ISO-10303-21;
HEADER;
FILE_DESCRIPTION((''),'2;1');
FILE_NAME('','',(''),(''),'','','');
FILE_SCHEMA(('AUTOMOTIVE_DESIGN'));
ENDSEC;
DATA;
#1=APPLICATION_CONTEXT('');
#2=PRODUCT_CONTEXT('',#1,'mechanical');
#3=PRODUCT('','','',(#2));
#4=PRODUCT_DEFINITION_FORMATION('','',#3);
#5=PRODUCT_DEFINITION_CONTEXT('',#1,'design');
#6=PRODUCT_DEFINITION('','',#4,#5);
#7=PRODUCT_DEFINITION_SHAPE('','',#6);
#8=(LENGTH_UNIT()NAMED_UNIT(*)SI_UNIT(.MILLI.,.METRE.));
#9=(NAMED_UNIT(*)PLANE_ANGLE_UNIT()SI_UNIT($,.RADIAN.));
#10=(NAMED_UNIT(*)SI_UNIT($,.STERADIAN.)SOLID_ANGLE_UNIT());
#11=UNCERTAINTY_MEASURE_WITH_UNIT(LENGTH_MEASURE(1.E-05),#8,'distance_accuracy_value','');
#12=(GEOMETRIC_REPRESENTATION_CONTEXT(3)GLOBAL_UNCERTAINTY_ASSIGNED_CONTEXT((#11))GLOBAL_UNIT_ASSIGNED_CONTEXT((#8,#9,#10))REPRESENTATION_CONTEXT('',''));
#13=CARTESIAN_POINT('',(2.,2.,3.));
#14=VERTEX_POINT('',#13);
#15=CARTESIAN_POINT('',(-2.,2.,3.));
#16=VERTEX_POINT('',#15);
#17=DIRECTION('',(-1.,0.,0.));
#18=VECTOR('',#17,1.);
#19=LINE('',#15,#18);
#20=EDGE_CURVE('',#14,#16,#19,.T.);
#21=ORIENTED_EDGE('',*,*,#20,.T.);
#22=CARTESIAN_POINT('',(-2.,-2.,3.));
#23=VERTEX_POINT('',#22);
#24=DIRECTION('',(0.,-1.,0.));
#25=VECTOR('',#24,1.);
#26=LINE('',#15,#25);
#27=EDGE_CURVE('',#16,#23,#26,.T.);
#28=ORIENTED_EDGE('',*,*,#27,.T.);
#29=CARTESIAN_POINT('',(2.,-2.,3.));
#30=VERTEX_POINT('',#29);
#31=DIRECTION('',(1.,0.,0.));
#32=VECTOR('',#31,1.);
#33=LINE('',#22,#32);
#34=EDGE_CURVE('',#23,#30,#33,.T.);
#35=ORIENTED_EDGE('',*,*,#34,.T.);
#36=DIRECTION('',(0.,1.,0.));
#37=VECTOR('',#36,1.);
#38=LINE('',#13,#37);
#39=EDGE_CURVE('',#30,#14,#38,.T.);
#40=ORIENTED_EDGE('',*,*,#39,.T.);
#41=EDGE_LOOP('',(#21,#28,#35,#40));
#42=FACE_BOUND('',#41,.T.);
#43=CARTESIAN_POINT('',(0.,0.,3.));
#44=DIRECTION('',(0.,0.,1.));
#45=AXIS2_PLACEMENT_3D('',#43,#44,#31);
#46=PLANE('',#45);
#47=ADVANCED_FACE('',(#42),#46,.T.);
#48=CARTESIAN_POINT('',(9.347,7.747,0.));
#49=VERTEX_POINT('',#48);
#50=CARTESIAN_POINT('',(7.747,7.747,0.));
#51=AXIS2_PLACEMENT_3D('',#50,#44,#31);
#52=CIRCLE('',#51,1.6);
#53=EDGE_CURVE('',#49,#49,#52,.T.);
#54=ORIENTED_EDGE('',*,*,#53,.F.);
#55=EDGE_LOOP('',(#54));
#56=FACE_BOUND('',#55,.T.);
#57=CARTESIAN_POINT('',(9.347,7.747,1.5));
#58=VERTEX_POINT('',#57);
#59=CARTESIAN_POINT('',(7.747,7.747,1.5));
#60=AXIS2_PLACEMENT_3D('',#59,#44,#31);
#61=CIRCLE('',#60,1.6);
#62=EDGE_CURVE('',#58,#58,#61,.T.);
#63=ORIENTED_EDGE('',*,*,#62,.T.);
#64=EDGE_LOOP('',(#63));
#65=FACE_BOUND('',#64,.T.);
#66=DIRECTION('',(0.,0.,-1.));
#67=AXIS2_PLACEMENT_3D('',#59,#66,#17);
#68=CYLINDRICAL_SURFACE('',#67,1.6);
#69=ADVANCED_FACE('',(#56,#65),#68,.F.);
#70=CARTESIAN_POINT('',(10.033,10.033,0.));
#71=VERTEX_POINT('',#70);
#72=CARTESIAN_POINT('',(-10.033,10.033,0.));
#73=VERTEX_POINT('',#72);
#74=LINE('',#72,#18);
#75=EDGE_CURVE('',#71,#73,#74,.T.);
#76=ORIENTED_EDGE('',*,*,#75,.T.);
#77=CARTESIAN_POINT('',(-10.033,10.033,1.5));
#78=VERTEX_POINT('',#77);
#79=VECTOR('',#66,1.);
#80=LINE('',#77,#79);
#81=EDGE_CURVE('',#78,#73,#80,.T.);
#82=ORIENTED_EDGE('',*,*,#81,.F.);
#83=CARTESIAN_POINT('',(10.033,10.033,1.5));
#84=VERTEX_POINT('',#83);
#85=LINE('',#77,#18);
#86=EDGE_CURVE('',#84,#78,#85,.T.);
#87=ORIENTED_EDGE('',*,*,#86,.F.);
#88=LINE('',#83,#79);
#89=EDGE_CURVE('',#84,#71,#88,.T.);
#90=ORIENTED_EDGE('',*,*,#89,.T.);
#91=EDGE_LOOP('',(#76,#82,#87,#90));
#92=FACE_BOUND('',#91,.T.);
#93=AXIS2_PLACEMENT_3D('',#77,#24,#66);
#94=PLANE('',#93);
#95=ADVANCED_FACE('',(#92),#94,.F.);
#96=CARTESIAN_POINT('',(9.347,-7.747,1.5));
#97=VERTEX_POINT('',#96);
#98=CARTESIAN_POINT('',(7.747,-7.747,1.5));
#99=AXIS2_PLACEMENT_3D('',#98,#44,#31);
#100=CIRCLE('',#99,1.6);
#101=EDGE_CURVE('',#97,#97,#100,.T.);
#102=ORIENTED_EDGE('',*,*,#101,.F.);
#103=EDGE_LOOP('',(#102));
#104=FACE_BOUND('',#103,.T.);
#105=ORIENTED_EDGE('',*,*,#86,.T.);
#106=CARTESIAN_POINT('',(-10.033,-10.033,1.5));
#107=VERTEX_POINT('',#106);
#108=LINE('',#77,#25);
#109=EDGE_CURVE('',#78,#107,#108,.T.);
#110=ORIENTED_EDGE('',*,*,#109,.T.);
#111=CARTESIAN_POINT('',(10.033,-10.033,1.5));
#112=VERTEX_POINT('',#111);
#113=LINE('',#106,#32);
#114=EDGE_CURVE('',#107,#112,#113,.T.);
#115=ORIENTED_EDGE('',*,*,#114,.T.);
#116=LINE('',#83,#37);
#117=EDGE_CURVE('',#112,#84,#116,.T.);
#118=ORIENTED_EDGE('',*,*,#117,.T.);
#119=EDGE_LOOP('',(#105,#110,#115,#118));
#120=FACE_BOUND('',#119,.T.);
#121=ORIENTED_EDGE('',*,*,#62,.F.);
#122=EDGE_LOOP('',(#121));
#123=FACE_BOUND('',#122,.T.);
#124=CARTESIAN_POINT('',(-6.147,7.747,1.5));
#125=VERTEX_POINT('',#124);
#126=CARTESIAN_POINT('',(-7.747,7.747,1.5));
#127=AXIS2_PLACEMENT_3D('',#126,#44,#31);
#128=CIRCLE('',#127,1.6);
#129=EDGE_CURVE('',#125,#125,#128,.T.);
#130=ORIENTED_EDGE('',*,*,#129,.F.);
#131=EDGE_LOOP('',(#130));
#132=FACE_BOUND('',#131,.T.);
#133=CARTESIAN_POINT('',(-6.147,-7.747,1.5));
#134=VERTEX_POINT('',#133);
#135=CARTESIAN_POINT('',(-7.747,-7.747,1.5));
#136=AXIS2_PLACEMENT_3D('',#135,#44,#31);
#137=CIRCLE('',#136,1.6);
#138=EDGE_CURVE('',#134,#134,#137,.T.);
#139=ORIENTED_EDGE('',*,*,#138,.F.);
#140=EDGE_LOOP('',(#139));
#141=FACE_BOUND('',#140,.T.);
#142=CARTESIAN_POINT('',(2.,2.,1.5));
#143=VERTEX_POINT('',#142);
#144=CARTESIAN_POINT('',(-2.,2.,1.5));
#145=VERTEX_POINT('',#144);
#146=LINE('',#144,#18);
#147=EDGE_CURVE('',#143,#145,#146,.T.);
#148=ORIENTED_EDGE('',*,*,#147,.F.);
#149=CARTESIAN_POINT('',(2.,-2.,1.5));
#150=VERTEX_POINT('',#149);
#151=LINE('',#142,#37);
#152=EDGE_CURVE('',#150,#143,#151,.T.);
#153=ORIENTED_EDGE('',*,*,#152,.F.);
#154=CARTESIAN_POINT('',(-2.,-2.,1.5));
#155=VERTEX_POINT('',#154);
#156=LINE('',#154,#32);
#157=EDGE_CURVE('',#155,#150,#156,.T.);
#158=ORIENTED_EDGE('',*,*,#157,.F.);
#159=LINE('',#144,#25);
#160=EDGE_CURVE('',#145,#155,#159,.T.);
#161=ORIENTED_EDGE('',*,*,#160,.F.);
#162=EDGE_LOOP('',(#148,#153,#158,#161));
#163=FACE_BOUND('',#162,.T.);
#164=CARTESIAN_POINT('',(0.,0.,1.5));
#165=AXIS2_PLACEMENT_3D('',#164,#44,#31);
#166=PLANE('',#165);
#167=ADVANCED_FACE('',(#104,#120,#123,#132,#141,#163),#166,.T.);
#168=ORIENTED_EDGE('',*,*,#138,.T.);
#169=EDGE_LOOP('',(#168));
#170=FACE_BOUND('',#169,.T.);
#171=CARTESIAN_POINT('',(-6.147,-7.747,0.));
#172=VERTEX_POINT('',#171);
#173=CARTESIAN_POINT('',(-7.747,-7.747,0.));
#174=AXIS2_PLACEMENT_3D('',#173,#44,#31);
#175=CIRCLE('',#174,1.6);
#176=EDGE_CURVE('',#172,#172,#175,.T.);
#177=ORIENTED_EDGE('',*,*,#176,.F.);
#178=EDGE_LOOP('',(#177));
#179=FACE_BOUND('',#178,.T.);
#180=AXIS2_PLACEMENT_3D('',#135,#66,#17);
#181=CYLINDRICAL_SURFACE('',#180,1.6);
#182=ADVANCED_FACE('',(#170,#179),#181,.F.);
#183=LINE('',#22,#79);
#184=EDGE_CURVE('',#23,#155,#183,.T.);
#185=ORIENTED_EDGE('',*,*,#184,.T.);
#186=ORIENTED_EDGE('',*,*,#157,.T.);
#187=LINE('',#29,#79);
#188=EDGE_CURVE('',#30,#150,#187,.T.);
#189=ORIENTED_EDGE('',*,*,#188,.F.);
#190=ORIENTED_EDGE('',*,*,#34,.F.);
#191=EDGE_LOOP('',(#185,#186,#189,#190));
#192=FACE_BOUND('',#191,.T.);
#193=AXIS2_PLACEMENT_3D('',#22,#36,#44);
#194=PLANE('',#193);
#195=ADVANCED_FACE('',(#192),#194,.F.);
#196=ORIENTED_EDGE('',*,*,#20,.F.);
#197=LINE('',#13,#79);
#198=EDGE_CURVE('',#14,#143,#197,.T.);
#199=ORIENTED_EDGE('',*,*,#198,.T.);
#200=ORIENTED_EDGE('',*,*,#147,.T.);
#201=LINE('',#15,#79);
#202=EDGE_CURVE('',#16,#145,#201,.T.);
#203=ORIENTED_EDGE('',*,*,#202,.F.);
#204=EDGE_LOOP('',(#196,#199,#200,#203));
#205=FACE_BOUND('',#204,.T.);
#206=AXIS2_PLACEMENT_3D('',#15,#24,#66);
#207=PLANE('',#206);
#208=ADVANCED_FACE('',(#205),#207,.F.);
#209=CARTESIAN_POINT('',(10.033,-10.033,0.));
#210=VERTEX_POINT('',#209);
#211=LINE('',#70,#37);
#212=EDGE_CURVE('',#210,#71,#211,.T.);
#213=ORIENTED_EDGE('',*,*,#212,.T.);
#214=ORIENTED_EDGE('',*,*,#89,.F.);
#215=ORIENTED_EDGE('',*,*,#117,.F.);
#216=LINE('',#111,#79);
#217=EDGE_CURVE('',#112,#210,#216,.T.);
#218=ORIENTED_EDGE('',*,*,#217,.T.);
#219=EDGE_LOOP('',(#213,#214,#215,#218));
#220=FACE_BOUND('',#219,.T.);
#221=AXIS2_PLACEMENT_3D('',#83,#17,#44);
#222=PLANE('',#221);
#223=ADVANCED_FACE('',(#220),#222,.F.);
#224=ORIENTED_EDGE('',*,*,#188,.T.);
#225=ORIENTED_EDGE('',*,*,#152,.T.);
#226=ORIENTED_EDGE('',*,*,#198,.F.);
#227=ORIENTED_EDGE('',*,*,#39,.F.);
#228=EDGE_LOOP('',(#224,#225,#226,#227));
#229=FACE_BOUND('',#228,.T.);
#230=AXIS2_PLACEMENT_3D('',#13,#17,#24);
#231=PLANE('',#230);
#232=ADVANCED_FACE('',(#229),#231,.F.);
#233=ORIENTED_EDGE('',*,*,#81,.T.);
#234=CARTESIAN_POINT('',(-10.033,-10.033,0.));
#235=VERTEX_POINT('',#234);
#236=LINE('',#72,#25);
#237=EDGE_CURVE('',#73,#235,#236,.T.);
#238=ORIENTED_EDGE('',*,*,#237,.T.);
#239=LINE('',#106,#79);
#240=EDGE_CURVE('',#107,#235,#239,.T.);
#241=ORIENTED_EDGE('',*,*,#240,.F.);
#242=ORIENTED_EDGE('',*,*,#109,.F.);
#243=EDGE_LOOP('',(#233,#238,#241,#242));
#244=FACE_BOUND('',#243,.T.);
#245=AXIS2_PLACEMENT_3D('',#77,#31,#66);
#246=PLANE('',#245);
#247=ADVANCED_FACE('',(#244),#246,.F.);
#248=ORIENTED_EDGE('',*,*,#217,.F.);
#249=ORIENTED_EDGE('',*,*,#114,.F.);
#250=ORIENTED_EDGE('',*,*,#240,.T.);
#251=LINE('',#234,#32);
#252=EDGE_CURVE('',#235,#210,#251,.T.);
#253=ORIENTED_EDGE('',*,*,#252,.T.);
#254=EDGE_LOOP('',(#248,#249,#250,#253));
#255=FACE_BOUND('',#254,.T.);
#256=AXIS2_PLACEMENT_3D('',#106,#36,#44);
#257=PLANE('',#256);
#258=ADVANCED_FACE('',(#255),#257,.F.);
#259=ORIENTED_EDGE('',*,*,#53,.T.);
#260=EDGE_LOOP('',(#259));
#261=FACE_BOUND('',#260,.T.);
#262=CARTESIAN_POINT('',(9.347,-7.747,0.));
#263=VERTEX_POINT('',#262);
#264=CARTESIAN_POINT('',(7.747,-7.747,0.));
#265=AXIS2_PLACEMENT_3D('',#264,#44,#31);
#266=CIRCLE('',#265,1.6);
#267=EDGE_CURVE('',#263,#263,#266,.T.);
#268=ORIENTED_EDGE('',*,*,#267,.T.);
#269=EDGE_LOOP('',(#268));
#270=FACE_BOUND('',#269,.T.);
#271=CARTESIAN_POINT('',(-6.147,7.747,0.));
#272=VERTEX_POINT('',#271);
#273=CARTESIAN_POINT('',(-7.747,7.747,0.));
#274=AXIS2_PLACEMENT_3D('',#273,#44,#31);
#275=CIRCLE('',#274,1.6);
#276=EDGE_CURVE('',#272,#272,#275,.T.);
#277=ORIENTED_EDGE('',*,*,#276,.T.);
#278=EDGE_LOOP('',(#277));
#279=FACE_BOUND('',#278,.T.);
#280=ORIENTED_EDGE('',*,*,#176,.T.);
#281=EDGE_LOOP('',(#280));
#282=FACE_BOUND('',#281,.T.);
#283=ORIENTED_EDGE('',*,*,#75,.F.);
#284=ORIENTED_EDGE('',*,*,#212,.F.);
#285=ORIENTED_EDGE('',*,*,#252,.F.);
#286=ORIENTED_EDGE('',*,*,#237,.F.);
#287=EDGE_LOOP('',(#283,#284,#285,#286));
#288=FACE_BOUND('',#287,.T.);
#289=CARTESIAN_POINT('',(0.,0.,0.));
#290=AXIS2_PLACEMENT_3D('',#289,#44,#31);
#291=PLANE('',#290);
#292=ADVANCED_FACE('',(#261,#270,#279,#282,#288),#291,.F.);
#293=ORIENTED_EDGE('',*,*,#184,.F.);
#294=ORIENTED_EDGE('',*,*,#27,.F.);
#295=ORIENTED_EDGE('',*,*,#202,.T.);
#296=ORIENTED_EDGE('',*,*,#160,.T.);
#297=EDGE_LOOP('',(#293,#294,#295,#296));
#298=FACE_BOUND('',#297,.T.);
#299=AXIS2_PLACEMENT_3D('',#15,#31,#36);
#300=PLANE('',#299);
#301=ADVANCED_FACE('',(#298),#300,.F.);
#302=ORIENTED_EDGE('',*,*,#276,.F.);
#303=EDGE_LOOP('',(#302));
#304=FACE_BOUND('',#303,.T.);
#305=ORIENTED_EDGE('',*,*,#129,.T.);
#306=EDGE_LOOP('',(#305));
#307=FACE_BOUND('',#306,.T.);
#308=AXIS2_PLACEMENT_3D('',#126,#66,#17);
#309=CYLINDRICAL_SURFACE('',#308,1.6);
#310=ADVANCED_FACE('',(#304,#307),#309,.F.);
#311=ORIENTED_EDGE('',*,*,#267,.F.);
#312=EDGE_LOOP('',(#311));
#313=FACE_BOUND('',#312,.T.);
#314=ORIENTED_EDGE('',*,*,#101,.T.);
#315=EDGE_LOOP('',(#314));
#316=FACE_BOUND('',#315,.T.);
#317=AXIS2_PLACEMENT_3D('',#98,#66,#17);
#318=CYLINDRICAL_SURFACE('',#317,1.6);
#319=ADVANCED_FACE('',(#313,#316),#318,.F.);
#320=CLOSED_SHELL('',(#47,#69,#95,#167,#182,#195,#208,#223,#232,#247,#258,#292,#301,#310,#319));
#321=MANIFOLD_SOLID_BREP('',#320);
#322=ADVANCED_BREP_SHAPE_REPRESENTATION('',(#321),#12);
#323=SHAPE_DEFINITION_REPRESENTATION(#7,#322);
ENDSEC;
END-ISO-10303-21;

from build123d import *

# Parameters (mm, degrees)
SKETCH_1_W      = 20.066
SKETCH_1_H      = 20.066
SKETCH_1_R      = 1.6
EXTRUDE_1_DEPTH = 1.5
SKETCH_2_W      = 4
SKETCH_2_H      = 4
EXTRUDE_2_DEPTH = 1.5


with BuildPart() as part:
    # 草图1 → 凸台-拉伸1 (new body)
    with BuildSketch(Plane.XY):
        Rectangle(SKETCH_1_W, SKETCH_1_H)
        with Locations((-7.747, 7.747)):
            Circle(SKETCH_1_R, mode=Mode.SUBTRACT)
        with Locations((7.747, 7.747)):
            Circle(SKETCH_1_R, mode=Mode.SUBTRACT)
        with Locations((-7.747, -7.747)):
            Circle(SKETCH_1_R, mode=Mode.SUBTRACT)
        with Locations((7.747, -7.747)):
            Circle(SKETCH_1_R, mode=Mode.SUBTRACT)
    extrude(amount=EXTRUDE_1_DEPTH)

    # 草图2 → 凸台-拉伸2 (add)
    with BuildSketch(Plane.XY.offset(1.5)):
        Rectangle(SKETCH_2_W, SKETCH_2_H)
    extrude(amount=EXTRUDE_2_DEPTH)


solid = part.part
